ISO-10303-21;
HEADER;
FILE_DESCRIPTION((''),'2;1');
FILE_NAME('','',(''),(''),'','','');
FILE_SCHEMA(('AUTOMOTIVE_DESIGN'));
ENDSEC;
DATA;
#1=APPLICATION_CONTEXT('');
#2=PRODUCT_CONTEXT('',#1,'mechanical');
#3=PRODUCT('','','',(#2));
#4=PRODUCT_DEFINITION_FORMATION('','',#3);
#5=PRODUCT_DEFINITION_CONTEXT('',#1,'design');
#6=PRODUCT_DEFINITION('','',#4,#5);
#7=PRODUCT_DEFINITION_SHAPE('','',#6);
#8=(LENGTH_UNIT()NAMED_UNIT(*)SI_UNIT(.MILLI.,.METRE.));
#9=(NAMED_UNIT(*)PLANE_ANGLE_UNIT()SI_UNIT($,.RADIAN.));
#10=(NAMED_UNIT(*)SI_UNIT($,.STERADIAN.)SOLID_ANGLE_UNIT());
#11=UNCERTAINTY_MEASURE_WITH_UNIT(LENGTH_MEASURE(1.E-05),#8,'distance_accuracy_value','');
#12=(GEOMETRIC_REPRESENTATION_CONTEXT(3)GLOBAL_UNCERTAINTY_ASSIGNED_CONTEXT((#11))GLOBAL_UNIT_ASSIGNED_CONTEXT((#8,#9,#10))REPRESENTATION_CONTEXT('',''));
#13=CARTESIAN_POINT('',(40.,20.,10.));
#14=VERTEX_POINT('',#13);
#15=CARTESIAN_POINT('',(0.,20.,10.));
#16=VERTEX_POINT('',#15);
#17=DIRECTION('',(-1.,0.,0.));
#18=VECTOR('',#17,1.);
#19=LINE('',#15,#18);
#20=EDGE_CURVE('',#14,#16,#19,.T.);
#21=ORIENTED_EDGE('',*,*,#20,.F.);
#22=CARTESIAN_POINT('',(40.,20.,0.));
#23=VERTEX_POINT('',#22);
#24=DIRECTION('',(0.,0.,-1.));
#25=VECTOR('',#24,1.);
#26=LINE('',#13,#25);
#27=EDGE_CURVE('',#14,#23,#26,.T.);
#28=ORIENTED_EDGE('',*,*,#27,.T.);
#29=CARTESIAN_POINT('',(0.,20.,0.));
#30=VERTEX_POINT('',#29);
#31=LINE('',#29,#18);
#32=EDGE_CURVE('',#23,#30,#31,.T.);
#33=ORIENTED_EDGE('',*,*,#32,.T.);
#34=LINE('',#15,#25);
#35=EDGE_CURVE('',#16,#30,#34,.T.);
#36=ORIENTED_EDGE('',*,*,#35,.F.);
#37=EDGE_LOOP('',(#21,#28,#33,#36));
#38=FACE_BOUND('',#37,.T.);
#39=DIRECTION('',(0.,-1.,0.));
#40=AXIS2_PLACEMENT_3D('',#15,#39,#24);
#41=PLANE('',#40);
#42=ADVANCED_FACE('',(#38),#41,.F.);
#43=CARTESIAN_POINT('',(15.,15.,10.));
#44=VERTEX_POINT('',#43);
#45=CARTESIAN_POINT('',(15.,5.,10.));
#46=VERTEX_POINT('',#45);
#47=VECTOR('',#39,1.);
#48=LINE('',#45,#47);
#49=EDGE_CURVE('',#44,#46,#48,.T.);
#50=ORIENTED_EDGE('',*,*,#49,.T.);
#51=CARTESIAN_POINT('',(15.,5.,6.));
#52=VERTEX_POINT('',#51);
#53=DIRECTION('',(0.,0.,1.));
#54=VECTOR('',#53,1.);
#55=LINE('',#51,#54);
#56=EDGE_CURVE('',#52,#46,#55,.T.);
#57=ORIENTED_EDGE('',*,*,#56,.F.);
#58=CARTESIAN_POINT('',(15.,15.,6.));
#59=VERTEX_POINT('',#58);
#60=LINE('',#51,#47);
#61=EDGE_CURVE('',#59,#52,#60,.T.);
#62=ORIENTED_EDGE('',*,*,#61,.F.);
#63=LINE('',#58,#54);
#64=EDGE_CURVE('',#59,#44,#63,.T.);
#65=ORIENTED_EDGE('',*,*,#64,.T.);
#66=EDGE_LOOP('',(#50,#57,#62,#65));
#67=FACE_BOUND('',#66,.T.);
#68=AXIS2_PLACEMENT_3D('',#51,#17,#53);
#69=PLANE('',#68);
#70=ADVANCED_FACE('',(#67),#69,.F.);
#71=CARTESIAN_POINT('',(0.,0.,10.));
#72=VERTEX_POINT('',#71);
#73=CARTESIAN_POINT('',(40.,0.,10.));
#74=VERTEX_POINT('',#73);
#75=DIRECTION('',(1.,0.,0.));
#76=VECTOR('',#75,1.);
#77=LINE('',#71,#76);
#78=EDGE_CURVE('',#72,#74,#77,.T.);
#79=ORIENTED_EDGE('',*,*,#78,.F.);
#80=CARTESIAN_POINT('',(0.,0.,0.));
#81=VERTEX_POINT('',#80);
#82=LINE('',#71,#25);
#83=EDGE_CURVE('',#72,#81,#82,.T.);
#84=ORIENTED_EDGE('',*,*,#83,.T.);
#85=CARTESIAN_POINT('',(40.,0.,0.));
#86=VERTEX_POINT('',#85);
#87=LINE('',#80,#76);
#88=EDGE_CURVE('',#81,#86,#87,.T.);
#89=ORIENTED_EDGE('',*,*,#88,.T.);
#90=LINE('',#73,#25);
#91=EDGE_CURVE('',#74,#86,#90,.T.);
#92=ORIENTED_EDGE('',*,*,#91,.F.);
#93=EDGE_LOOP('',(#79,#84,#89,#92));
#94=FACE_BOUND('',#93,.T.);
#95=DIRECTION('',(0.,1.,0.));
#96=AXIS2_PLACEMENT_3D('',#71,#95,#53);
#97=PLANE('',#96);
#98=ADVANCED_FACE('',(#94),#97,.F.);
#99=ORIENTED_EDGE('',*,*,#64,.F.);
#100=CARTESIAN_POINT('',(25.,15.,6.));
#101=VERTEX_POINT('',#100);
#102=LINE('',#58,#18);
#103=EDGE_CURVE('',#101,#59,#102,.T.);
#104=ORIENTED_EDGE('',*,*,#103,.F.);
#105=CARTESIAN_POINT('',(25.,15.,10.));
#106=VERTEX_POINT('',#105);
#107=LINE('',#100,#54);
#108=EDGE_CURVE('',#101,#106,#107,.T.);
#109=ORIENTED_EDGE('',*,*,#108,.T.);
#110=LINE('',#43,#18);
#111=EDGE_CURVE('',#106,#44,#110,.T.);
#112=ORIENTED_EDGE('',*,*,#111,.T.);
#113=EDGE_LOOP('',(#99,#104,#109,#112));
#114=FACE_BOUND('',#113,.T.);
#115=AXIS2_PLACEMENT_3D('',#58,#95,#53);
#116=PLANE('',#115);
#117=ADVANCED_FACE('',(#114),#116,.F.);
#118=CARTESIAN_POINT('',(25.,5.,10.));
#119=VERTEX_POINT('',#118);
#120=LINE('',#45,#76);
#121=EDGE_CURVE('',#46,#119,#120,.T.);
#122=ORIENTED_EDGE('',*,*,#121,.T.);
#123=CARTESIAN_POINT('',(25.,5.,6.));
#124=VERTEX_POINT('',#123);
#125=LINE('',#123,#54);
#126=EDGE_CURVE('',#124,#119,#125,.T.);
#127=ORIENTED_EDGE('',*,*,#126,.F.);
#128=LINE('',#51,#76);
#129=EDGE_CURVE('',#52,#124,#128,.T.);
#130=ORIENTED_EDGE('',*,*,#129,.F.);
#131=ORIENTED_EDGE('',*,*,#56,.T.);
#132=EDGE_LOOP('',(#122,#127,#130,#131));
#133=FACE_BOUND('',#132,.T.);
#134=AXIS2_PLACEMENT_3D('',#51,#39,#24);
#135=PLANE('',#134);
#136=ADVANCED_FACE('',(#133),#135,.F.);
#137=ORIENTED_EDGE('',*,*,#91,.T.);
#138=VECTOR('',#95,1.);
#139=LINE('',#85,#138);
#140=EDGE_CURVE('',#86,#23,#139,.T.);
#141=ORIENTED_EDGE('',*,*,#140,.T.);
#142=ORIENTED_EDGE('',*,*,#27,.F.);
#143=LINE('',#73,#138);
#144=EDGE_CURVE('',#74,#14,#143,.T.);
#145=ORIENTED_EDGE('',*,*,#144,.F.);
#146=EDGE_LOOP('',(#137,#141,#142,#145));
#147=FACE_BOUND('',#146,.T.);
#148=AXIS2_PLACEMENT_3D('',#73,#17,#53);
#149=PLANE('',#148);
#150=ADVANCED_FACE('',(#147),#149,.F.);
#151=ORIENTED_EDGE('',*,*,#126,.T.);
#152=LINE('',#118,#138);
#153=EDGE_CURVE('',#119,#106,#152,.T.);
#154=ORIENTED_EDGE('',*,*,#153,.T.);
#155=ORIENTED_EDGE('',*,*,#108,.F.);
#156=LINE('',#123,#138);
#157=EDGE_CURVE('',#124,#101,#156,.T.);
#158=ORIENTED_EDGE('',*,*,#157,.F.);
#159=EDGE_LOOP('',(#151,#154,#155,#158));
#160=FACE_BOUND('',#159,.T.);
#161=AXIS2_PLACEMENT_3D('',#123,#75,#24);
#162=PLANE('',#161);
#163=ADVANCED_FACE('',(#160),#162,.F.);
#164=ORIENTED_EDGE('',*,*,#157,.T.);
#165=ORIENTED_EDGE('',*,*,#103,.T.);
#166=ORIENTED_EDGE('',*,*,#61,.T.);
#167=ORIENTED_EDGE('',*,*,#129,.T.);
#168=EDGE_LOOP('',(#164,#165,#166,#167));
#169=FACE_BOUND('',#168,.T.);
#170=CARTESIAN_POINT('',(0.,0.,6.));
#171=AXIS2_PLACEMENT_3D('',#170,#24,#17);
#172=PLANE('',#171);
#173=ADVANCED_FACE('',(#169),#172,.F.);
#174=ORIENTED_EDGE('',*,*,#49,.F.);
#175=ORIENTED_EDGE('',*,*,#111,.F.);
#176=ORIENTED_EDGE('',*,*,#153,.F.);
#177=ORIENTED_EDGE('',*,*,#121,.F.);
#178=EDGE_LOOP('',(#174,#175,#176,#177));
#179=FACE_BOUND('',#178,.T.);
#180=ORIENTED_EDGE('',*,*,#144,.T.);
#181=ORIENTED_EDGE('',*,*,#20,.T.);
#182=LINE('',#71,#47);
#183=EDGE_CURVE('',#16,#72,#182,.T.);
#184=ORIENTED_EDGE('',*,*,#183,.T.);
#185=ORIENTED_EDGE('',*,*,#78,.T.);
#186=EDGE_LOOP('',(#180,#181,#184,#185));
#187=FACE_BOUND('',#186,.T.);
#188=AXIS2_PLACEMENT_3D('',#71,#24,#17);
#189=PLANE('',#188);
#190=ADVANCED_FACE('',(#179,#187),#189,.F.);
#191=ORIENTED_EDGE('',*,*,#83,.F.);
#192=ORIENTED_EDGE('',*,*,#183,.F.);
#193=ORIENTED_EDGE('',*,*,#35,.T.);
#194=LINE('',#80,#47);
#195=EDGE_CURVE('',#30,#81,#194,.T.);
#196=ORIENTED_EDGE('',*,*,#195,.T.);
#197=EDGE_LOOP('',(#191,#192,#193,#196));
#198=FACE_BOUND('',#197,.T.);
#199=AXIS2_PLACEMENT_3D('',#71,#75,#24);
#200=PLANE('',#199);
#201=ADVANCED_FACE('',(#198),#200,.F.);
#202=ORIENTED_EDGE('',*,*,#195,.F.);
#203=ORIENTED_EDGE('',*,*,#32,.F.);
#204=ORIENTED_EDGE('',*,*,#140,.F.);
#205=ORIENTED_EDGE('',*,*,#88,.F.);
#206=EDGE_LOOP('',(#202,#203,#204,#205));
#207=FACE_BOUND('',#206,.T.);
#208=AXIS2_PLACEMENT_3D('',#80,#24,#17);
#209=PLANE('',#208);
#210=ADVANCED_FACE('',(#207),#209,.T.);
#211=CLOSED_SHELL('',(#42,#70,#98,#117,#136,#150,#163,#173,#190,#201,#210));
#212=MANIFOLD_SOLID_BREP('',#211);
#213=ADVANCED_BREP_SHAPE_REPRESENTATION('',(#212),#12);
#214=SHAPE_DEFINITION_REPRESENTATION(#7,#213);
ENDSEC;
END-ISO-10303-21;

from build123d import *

# Parameters (mm, degrees)
RECTANGLESKETCH_W = 40
RECTANGLESKETCH_H = 20
BLINDBOSS_DEPTH   = 10
CUTSKETCH_W       = 10
CUTSKETCH_H       = 10
BLINDCUT_DEPTH    = 4


with BuildPart() as part:
    # RectangleSketch → BlindBoss (new body)
    with BuildSketch(Plane.XY):
        with Locations((20, 10)):
            Rectangle(RECTANGLESKETCH_W, RECTANGLESKETCH_H)
    extrude(amount=BLINDBOSS_DEPTH)

    # CutSketch → BlindCut (cut)
    with BuildSketch(Plane.XY.offset(10)):
        with Locations((20, 10)):
            Rectangle(CUTSKETCH_W, CUTSKETCH_H)
    extrude(amount=-BLINDCUT_DEPTH, mode=Mode.SUBTRACT)


solid = part.part
